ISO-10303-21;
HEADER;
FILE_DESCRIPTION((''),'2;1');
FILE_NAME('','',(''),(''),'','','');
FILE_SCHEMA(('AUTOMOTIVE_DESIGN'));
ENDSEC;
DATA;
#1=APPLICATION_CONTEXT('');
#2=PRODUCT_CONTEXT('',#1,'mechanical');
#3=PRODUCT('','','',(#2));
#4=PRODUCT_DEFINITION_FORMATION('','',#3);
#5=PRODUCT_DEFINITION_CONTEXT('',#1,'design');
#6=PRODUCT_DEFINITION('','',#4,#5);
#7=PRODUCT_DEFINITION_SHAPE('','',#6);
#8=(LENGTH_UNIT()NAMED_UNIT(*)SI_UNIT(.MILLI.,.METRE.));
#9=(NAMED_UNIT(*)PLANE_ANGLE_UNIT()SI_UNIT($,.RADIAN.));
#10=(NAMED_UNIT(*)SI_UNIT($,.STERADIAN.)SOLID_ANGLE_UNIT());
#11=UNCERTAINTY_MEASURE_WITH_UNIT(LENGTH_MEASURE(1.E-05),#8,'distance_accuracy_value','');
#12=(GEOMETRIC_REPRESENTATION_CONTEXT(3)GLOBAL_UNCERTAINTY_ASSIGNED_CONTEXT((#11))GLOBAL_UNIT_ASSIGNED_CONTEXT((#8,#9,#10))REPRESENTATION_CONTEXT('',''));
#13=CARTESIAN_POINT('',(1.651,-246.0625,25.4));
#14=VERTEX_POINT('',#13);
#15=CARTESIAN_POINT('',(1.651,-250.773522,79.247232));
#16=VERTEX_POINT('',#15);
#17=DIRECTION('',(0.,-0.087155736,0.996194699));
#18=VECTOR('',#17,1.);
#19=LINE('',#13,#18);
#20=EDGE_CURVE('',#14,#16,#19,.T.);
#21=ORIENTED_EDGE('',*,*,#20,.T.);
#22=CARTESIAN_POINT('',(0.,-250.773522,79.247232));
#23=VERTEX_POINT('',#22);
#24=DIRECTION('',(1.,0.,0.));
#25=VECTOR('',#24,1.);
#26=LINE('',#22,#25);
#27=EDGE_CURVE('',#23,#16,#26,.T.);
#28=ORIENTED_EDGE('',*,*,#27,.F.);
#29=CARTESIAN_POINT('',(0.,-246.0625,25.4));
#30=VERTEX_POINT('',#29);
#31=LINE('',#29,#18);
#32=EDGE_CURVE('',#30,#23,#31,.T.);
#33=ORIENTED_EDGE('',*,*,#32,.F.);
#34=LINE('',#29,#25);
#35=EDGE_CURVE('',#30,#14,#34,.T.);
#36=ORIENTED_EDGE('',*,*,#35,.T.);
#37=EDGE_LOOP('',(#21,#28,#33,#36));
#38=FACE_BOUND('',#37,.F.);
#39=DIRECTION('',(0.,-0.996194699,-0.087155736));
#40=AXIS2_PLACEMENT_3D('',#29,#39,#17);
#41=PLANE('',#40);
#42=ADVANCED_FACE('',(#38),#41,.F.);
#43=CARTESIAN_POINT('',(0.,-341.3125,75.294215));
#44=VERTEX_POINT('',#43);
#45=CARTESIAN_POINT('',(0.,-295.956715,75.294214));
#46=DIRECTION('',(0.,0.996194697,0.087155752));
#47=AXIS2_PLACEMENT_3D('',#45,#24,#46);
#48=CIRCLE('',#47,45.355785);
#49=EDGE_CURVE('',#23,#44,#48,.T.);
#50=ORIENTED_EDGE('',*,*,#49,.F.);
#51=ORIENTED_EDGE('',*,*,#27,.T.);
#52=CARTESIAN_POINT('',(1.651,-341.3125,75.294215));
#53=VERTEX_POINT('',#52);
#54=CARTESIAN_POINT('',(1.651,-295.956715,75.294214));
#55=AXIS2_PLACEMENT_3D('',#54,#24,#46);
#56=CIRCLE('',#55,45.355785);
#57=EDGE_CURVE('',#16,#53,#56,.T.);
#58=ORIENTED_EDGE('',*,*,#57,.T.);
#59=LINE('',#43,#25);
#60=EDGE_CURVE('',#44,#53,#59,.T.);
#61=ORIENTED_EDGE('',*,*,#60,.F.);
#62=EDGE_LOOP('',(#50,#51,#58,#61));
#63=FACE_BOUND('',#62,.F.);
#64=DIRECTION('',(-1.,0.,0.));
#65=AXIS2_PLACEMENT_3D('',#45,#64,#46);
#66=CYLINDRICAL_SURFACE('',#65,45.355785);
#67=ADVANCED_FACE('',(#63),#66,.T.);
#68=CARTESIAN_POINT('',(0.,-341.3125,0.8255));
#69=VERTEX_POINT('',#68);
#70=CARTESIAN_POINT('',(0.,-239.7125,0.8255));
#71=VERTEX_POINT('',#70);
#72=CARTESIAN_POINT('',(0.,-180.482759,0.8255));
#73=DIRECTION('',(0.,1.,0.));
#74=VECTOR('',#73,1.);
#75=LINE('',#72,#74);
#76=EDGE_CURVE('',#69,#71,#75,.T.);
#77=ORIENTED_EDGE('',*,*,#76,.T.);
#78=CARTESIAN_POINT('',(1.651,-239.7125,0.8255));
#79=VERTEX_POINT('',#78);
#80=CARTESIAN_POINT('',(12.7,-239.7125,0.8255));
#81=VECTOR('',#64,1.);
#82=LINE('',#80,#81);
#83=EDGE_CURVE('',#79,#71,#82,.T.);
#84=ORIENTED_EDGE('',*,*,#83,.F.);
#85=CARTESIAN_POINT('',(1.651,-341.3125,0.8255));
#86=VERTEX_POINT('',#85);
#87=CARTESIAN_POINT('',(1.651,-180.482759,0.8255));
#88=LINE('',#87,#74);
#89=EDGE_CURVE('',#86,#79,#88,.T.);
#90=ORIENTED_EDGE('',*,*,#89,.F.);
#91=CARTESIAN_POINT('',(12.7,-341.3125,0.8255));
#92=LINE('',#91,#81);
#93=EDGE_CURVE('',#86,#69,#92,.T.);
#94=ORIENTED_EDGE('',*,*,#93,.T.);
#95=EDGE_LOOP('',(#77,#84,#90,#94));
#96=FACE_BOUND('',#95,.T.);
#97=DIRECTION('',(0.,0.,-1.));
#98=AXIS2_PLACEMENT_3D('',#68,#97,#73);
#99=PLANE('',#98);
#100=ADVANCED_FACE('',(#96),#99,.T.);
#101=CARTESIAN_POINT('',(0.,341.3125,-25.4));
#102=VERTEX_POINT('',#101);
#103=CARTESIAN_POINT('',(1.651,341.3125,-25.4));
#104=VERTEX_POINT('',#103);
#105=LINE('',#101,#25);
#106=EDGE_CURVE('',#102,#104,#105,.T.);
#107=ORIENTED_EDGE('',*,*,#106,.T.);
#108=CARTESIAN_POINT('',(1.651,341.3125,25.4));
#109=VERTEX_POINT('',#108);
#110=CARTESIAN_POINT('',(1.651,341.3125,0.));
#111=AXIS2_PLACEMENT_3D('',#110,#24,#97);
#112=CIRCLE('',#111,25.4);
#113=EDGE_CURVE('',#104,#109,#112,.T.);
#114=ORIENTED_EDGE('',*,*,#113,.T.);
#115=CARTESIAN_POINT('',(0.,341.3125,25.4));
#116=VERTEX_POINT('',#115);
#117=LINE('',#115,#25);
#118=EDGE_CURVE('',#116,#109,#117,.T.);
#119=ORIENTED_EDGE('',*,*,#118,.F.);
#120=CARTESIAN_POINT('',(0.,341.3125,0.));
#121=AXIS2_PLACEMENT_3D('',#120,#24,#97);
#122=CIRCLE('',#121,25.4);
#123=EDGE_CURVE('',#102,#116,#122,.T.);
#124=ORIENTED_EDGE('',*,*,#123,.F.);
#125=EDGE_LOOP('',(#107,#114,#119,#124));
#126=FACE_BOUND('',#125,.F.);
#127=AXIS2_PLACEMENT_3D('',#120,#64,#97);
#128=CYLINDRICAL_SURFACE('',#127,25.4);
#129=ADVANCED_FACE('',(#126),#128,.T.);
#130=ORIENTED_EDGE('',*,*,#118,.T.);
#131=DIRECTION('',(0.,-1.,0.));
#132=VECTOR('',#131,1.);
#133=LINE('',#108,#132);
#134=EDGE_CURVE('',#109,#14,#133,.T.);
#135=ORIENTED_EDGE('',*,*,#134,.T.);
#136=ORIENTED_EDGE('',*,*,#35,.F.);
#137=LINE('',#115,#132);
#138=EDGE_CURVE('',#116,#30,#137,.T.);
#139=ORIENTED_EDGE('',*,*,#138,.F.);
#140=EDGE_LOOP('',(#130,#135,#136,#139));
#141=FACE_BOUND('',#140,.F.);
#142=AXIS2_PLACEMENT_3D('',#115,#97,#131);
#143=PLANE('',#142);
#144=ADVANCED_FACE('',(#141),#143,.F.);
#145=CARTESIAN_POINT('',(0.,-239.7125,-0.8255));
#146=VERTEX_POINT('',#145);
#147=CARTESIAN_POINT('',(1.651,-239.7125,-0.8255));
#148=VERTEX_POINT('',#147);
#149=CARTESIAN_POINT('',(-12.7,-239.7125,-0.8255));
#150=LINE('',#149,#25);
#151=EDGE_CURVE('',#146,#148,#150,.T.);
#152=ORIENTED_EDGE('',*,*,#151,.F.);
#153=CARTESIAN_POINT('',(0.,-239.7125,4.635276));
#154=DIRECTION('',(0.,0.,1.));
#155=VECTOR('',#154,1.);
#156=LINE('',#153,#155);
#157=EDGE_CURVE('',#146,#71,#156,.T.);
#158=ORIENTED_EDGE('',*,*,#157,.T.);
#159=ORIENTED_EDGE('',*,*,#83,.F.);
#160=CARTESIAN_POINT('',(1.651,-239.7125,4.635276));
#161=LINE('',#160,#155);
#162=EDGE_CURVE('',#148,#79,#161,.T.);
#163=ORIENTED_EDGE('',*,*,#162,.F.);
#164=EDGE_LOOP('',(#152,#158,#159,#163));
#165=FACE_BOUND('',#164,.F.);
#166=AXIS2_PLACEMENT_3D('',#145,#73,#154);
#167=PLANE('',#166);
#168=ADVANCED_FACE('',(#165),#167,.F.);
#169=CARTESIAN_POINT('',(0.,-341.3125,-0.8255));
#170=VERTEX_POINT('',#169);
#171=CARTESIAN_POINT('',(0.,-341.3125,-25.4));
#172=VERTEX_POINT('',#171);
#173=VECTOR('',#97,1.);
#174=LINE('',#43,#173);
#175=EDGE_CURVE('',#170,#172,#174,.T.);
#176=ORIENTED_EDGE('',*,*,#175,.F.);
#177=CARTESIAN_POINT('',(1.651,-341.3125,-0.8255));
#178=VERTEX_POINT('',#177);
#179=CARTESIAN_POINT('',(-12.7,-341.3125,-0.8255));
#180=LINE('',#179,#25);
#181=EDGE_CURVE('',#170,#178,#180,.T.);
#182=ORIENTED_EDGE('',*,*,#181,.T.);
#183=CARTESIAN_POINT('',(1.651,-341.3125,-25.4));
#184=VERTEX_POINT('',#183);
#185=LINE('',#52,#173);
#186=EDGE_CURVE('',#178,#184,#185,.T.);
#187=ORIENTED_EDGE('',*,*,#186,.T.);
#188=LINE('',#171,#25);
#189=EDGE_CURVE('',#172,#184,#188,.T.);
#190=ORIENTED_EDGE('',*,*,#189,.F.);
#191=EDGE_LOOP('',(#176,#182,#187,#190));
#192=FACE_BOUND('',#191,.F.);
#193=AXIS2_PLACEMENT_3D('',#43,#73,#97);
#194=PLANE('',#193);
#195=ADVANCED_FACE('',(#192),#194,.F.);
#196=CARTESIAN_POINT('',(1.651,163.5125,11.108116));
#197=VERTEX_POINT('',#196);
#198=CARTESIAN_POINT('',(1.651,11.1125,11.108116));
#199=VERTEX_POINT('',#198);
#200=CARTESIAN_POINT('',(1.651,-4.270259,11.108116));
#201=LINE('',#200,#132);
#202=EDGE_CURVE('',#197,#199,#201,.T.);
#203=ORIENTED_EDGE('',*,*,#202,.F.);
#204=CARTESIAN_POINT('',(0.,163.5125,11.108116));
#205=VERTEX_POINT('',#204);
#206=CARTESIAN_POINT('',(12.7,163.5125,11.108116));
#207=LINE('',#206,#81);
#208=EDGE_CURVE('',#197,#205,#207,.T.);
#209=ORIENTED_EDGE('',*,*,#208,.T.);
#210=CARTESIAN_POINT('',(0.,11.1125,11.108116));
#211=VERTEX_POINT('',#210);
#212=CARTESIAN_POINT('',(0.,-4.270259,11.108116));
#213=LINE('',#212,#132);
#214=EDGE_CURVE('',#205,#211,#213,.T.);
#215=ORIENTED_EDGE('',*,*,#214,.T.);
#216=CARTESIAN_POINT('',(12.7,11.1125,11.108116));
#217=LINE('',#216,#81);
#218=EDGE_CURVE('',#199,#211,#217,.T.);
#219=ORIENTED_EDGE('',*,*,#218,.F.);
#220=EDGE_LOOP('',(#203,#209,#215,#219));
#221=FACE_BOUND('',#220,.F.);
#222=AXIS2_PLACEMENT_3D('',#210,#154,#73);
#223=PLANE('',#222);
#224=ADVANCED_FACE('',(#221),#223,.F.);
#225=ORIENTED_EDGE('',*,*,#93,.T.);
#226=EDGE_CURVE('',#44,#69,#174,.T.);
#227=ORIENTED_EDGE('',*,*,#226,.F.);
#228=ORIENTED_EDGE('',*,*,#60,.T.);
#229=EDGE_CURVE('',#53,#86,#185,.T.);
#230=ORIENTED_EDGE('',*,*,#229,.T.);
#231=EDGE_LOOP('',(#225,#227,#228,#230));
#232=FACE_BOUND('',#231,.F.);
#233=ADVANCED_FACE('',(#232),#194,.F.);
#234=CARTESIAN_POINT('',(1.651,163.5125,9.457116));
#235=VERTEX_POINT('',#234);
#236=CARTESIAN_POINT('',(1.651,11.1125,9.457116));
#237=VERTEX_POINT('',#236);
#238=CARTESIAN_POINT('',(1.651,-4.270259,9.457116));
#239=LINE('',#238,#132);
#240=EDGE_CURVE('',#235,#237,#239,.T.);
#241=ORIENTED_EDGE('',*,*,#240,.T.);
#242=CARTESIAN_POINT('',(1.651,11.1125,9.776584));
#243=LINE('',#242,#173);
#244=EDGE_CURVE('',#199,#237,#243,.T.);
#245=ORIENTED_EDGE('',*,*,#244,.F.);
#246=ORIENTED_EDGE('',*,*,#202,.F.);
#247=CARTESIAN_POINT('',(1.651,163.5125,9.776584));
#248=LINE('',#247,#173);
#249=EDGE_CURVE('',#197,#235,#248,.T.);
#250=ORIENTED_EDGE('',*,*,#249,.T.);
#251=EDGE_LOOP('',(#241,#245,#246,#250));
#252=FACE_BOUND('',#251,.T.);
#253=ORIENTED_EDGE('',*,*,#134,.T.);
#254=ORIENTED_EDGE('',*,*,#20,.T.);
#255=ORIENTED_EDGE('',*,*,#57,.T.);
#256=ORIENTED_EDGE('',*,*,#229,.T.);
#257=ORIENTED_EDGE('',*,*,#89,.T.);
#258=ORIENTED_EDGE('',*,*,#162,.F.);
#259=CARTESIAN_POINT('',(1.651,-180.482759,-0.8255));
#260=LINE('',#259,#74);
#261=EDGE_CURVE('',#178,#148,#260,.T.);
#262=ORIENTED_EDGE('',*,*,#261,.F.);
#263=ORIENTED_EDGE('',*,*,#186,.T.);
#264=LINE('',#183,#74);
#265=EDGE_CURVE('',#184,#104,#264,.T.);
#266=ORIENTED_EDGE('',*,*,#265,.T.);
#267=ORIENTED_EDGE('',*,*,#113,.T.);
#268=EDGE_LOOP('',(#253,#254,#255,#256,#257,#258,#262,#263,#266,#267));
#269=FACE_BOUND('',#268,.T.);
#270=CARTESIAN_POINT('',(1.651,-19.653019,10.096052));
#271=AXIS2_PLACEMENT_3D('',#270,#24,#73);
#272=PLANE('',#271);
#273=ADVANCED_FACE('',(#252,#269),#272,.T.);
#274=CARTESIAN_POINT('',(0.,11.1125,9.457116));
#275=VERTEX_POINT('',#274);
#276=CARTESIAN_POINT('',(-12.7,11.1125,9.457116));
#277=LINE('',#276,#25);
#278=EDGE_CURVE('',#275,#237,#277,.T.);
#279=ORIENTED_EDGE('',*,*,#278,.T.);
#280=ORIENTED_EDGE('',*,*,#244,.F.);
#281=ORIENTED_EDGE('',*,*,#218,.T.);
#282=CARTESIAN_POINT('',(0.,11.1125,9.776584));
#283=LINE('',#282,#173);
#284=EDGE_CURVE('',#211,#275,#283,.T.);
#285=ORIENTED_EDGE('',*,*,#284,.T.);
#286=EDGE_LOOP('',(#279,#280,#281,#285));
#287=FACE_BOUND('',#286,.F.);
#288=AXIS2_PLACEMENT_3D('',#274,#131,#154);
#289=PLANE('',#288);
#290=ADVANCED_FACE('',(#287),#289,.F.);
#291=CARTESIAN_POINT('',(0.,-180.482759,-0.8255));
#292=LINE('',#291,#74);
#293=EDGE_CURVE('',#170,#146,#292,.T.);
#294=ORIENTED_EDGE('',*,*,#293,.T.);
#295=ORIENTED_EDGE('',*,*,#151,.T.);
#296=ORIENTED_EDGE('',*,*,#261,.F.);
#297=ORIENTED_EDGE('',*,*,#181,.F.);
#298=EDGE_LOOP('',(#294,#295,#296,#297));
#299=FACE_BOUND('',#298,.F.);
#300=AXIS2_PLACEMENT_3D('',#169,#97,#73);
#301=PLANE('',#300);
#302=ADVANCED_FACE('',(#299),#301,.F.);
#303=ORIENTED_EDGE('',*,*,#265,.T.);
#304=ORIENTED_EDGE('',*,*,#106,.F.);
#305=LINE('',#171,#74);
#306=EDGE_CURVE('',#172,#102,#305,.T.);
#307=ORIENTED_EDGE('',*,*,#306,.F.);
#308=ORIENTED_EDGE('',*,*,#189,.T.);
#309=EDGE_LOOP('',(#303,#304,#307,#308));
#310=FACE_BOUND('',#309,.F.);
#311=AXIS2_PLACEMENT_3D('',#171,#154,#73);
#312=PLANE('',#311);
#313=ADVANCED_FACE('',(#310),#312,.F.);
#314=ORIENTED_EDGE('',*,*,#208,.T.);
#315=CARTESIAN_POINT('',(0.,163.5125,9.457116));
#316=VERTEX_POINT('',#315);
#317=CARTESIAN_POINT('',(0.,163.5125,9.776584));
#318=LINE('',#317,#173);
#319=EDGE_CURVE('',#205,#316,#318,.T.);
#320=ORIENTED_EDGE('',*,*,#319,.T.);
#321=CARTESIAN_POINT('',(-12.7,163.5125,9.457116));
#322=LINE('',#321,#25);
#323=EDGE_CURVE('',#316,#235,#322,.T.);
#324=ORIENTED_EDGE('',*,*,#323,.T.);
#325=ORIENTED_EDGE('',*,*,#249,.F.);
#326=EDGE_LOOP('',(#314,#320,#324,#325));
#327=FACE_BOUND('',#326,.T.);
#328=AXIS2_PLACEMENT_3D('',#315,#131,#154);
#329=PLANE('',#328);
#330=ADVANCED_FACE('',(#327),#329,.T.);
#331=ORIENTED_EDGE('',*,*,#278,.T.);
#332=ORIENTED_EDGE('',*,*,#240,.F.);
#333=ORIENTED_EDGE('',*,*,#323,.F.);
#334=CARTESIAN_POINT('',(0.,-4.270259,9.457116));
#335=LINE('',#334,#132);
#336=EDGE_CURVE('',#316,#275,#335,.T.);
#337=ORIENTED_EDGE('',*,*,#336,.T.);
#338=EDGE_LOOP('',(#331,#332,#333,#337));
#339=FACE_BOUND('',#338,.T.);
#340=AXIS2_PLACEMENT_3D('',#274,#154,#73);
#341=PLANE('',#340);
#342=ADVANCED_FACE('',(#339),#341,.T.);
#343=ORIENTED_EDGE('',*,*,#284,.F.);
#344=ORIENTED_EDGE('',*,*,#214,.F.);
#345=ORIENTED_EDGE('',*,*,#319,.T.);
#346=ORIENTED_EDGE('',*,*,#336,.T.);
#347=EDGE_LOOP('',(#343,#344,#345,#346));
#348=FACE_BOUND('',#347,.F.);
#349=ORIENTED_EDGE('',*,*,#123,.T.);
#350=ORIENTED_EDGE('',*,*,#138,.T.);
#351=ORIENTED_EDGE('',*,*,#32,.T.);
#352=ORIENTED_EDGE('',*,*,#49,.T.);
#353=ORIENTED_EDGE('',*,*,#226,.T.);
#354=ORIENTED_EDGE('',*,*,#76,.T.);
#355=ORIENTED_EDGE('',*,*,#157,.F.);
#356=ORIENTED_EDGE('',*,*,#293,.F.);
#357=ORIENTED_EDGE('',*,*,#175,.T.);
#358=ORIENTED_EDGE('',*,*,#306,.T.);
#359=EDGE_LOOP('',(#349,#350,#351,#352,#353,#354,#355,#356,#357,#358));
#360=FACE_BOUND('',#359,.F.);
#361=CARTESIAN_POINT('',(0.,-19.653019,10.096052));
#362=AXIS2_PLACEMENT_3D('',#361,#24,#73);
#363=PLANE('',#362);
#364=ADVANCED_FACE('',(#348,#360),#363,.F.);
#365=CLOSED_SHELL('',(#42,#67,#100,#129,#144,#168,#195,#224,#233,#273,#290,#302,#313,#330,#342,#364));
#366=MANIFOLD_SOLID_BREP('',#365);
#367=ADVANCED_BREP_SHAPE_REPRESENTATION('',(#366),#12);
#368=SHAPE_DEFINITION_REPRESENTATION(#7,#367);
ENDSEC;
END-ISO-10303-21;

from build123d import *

# Parameters (mm, degrees)
F1_DEPTH = 1.651
F2_W     = 152.4
F2_H     = 1.651
F2_W_2   = 101.6
F3_DEPTH = 12.7


with BuildPart() as f1:
    # F0 (on Right) → F1 (new body)
    with BuildSketch(Plane.YZ):
        with BuildLine():
            Line((341.3125, 25.4), (-246.0625, 25.4))
            Line((-246.0625, 25.4), (-250.773522, 79.247232))
            ThreePointArc((-250.773522, 79.247232), (-297.935107, 120.606831), (-341.3125, 75.294215))
            Line((-341.3125, 75.294215), (-341.3125, 25.4))
            Line((-341.3125, 25.4), (-341.3125, -25.4))
            Line((-341.3125, -25.4), (341.3125, -25.4))
            ThreePointArc((341.3125, -25.4), (366.7125, 0), (341.3125, 25.4))
        make_face()
    extrude(amount=F1_DEPTH)

    # F2 (on face) → F3 (cut, symmetric)
    with BuildSketch(Plane.YZ):
        with Locations((87.3125, 10.282616)):
            Rectangle(F2_W, F2_H)
        with Locations((-290.5125, 0)):
            Rectangle(F2_W_2, F2_H)
    extrude(amount=F3_DEPTH, both=True, mode=Mode.SUBTRACT)


solid = f1.part
